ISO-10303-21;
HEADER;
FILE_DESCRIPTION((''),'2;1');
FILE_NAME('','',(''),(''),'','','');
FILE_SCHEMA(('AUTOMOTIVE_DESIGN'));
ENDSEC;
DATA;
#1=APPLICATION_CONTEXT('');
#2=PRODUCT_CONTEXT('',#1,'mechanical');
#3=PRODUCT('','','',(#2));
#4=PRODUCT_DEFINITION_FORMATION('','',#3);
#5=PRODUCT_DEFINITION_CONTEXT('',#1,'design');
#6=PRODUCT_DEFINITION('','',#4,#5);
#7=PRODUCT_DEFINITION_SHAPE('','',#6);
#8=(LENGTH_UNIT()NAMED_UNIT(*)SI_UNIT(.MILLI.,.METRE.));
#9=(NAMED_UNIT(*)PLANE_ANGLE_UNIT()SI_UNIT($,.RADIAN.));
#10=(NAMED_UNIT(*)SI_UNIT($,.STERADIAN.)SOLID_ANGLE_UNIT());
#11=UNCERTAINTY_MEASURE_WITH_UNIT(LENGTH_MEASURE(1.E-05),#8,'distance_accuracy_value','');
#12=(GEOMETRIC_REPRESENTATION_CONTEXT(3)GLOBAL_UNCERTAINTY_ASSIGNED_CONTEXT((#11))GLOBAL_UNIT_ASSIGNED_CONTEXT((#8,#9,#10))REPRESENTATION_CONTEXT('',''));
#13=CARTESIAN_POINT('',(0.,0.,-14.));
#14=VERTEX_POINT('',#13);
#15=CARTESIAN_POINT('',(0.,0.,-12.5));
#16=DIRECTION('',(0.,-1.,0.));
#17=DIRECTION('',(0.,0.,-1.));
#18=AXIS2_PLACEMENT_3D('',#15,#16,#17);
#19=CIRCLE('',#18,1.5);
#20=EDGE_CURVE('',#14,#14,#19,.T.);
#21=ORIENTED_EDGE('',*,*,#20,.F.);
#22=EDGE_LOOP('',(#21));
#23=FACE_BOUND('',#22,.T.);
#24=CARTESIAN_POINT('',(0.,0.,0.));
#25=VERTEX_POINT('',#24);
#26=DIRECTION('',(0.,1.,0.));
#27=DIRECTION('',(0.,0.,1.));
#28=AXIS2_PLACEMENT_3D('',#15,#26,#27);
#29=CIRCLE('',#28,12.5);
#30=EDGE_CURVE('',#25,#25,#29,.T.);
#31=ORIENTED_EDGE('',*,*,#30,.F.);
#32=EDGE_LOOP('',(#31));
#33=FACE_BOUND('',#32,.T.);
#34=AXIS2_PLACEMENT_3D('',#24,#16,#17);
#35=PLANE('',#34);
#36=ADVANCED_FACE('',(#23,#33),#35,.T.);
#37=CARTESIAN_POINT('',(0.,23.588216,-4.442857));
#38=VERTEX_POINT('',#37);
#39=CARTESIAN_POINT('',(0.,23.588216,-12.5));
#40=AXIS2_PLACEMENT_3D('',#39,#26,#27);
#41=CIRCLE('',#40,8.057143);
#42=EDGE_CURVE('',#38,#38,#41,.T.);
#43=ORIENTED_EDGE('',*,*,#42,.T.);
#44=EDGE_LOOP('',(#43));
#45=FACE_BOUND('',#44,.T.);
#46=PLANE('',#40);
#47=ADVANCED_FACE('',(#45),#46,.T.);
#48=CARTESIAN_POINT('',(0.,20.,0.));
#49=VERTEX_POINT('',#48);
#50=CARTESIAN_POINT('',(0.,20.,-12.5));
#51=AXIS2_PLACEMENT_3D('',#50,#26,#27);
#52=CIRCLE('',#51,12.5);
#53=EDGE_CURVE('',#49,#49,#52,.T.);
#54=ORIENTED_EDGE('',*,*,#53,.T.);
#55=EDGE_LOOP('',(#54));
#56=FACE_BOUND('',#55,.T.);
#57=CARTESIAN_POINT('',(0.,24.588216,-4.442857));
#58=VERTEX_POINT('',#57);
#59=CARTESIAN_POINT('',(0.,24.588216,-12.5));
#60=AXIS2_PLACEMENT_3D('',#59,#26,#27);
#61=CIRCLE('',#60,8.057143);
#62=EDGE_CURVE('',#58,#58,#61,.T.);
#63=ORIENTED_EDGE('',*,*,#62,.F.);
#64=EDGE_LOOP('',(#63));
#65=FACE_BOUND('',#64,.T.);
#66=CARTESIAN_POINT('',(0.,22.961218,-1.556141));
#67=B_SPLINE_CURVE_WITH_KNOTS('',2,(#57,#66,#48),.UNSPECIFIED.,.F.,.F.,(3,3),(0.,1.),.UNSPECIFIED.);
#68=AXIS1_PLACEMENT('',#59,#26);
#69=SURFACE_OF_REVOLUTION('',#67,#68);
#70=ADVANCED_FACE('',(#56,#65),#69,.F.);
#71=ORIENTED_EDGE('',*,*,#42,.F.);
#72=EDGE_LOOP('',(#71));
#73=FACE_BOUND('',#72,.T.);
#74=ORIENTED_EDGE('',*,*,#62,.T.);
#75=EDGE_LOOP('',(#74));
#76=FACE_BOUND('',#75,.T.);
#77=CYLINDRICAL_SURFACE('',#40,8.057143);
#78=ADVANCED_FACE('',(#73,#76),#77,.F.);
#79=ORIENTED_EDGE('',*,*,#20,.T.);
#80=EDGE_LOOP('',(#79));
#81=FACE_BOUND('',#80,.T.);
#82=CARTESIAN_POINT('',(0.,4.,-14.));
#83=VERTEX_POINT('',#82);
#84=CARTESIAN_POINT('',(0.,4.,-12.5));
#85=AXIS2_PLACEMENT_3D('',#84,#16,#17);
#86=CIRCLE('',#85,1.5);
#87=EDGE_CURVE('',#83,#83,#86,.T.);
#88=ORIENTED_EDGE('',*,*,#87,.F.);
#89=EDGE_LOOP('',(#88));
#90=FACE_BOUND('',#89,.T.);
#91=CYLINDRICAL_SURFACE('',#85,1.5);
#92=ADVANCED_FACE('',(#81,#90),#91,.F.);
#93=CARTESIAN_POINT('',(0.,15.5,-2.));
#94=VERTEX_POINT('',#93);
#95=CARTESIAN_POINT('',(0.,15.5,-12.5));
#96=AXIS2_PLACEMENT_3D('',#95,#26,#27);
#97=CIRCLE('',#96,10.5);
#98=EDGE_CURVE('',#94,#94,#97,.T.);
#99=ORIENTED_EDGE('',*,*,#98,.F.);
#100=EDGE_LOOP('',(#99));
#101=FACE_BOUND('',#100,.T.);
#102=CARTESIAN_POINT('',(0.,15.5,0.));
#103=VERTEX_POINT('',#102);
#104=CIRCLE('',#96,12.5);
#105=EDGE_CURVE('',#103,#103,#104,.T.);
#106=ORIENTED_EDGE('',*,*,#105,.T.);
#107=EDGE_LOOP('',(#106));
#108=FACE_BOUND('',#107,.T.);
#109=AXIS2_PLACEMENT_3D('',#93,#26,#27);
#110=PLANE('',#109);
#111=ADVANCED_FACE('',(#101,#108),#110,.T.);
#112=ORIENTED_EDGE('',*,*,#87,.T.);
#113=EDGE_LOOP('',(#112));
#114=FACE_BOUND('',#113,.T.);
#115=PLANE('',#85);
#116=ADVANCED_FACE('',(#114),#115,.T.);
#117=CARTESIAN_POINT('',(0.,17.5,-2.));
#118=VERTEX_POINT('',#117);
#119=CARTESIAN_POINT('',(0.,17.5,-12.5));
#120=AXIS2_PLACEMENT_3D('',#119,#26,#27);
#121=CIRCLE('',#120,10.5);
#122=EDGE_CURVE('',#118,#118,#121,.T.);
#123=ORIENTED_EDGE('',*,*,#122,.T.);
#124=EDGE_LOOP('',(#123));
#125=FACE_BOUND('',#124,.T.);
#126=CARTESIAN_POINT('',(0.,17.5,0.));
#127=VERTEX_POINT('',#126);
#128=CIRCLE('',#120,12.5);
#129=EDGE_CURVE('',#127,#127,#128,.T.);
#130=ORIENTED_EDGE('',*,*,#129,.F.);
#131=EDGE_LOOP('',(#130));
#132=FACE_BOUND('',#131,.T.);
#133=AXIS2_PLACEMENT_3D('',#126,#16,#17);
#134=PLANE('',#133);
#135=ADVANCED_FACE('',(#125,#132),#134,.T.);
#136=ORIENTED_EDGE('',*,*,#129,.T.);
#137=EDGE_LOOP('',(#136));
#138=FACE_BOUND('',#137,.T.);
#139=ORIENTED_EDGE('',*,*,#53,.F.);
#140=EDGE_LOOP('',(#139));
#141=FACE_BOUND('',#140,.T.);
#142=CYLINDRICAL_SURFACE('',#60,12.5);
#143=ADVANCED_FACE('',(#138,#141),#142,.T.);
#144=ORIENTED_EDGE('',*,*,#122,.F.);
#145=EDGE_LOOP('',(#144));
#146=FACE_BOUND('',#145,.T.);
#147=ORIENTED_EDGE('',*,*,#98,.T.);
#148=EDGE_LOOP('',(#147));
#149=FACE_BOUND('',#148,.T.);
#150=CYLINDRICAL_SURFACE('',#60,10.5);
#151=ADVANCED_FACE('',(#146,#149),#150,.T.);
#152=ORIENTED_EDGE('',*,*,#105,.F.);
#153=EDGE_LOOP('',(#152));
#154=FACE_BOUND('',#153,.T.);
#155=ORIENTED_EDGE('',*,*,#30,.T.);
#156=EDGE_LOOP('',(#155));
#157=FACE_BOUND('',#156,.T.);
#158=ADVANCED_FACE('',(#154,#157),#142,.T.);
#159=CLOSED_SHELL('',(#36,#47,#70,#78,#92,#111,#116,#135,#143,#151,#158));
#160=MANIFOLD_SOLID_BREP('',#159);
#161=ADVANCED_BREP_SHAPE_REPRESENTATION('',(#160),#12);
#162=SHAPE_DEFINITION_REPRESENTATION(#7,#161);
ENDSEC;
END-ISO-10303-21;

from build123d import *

# Parameters (mm, degrees)
SKETCH2_R          = 1.5
CUT_EXTRUDE1_DEPTH = 4
SKETCH3_R          = 8.057142585
CUT_EXTRUDE2_DEPTH = 1


with BuildPart() as part:
    # Sketch1 → Revolve2 (revolve)
    with BuildSketch(Plane(origin=(0, 0, 0), x_dir=(0, 0, -1), z_dir=(1, 0, 0))):
        with BuildLine():
            Line((0, 0), (0, 15.5))
            Line((0, 15.5), (2, 15.5))
            Line((2, 15.5), (2, 17.5))
            Line((2, 17.5), (0, 17.5))
            Line((0, 17.5), (0, 20))
            add(Edge.make_bspline(
                [(0, 20), (1.556141404, 22.961218059), (4.442857415, 24.588216471)],
                knots=[0, 0, 0, 1, 1, 1], degree=2))
            Line((4.442857415, 24.588216471), (12.5, 24.588216471))
            Line((12.5, 24.588216471), (12.5, 0))
            Line((12.5, 0), (0, 0))
        make_face()
    revolve(axis=Axis((0, 24.588216471, -12.5), (0, -1, 0)))

    # Sketch2 → Cut-Extrude1 (cut)
    with BuildSketch(Plane.XZ):
        with Locations((0, -12.5)):
            Circle(SKETCH2_R)
    extrude(amount=-CUT_EXTRUDE1_DEPTH, mode=Mode.SUBTRACT)

    # Sketch3 → Cut-Extrude2 (cut)
    with BuildSketch(Plane(origin=(0, 24.588216471, 0), x_dir=(1, 0, 0), z_dir=(0, 1, 0))):
        with Locations((0, 12.5)):
            Circle(SKETCH3_R)
    extrude(amount=-CUT_EXTRUDE2_DEPTH, mode=Mode.SUBTRACT)


solid = part.part
